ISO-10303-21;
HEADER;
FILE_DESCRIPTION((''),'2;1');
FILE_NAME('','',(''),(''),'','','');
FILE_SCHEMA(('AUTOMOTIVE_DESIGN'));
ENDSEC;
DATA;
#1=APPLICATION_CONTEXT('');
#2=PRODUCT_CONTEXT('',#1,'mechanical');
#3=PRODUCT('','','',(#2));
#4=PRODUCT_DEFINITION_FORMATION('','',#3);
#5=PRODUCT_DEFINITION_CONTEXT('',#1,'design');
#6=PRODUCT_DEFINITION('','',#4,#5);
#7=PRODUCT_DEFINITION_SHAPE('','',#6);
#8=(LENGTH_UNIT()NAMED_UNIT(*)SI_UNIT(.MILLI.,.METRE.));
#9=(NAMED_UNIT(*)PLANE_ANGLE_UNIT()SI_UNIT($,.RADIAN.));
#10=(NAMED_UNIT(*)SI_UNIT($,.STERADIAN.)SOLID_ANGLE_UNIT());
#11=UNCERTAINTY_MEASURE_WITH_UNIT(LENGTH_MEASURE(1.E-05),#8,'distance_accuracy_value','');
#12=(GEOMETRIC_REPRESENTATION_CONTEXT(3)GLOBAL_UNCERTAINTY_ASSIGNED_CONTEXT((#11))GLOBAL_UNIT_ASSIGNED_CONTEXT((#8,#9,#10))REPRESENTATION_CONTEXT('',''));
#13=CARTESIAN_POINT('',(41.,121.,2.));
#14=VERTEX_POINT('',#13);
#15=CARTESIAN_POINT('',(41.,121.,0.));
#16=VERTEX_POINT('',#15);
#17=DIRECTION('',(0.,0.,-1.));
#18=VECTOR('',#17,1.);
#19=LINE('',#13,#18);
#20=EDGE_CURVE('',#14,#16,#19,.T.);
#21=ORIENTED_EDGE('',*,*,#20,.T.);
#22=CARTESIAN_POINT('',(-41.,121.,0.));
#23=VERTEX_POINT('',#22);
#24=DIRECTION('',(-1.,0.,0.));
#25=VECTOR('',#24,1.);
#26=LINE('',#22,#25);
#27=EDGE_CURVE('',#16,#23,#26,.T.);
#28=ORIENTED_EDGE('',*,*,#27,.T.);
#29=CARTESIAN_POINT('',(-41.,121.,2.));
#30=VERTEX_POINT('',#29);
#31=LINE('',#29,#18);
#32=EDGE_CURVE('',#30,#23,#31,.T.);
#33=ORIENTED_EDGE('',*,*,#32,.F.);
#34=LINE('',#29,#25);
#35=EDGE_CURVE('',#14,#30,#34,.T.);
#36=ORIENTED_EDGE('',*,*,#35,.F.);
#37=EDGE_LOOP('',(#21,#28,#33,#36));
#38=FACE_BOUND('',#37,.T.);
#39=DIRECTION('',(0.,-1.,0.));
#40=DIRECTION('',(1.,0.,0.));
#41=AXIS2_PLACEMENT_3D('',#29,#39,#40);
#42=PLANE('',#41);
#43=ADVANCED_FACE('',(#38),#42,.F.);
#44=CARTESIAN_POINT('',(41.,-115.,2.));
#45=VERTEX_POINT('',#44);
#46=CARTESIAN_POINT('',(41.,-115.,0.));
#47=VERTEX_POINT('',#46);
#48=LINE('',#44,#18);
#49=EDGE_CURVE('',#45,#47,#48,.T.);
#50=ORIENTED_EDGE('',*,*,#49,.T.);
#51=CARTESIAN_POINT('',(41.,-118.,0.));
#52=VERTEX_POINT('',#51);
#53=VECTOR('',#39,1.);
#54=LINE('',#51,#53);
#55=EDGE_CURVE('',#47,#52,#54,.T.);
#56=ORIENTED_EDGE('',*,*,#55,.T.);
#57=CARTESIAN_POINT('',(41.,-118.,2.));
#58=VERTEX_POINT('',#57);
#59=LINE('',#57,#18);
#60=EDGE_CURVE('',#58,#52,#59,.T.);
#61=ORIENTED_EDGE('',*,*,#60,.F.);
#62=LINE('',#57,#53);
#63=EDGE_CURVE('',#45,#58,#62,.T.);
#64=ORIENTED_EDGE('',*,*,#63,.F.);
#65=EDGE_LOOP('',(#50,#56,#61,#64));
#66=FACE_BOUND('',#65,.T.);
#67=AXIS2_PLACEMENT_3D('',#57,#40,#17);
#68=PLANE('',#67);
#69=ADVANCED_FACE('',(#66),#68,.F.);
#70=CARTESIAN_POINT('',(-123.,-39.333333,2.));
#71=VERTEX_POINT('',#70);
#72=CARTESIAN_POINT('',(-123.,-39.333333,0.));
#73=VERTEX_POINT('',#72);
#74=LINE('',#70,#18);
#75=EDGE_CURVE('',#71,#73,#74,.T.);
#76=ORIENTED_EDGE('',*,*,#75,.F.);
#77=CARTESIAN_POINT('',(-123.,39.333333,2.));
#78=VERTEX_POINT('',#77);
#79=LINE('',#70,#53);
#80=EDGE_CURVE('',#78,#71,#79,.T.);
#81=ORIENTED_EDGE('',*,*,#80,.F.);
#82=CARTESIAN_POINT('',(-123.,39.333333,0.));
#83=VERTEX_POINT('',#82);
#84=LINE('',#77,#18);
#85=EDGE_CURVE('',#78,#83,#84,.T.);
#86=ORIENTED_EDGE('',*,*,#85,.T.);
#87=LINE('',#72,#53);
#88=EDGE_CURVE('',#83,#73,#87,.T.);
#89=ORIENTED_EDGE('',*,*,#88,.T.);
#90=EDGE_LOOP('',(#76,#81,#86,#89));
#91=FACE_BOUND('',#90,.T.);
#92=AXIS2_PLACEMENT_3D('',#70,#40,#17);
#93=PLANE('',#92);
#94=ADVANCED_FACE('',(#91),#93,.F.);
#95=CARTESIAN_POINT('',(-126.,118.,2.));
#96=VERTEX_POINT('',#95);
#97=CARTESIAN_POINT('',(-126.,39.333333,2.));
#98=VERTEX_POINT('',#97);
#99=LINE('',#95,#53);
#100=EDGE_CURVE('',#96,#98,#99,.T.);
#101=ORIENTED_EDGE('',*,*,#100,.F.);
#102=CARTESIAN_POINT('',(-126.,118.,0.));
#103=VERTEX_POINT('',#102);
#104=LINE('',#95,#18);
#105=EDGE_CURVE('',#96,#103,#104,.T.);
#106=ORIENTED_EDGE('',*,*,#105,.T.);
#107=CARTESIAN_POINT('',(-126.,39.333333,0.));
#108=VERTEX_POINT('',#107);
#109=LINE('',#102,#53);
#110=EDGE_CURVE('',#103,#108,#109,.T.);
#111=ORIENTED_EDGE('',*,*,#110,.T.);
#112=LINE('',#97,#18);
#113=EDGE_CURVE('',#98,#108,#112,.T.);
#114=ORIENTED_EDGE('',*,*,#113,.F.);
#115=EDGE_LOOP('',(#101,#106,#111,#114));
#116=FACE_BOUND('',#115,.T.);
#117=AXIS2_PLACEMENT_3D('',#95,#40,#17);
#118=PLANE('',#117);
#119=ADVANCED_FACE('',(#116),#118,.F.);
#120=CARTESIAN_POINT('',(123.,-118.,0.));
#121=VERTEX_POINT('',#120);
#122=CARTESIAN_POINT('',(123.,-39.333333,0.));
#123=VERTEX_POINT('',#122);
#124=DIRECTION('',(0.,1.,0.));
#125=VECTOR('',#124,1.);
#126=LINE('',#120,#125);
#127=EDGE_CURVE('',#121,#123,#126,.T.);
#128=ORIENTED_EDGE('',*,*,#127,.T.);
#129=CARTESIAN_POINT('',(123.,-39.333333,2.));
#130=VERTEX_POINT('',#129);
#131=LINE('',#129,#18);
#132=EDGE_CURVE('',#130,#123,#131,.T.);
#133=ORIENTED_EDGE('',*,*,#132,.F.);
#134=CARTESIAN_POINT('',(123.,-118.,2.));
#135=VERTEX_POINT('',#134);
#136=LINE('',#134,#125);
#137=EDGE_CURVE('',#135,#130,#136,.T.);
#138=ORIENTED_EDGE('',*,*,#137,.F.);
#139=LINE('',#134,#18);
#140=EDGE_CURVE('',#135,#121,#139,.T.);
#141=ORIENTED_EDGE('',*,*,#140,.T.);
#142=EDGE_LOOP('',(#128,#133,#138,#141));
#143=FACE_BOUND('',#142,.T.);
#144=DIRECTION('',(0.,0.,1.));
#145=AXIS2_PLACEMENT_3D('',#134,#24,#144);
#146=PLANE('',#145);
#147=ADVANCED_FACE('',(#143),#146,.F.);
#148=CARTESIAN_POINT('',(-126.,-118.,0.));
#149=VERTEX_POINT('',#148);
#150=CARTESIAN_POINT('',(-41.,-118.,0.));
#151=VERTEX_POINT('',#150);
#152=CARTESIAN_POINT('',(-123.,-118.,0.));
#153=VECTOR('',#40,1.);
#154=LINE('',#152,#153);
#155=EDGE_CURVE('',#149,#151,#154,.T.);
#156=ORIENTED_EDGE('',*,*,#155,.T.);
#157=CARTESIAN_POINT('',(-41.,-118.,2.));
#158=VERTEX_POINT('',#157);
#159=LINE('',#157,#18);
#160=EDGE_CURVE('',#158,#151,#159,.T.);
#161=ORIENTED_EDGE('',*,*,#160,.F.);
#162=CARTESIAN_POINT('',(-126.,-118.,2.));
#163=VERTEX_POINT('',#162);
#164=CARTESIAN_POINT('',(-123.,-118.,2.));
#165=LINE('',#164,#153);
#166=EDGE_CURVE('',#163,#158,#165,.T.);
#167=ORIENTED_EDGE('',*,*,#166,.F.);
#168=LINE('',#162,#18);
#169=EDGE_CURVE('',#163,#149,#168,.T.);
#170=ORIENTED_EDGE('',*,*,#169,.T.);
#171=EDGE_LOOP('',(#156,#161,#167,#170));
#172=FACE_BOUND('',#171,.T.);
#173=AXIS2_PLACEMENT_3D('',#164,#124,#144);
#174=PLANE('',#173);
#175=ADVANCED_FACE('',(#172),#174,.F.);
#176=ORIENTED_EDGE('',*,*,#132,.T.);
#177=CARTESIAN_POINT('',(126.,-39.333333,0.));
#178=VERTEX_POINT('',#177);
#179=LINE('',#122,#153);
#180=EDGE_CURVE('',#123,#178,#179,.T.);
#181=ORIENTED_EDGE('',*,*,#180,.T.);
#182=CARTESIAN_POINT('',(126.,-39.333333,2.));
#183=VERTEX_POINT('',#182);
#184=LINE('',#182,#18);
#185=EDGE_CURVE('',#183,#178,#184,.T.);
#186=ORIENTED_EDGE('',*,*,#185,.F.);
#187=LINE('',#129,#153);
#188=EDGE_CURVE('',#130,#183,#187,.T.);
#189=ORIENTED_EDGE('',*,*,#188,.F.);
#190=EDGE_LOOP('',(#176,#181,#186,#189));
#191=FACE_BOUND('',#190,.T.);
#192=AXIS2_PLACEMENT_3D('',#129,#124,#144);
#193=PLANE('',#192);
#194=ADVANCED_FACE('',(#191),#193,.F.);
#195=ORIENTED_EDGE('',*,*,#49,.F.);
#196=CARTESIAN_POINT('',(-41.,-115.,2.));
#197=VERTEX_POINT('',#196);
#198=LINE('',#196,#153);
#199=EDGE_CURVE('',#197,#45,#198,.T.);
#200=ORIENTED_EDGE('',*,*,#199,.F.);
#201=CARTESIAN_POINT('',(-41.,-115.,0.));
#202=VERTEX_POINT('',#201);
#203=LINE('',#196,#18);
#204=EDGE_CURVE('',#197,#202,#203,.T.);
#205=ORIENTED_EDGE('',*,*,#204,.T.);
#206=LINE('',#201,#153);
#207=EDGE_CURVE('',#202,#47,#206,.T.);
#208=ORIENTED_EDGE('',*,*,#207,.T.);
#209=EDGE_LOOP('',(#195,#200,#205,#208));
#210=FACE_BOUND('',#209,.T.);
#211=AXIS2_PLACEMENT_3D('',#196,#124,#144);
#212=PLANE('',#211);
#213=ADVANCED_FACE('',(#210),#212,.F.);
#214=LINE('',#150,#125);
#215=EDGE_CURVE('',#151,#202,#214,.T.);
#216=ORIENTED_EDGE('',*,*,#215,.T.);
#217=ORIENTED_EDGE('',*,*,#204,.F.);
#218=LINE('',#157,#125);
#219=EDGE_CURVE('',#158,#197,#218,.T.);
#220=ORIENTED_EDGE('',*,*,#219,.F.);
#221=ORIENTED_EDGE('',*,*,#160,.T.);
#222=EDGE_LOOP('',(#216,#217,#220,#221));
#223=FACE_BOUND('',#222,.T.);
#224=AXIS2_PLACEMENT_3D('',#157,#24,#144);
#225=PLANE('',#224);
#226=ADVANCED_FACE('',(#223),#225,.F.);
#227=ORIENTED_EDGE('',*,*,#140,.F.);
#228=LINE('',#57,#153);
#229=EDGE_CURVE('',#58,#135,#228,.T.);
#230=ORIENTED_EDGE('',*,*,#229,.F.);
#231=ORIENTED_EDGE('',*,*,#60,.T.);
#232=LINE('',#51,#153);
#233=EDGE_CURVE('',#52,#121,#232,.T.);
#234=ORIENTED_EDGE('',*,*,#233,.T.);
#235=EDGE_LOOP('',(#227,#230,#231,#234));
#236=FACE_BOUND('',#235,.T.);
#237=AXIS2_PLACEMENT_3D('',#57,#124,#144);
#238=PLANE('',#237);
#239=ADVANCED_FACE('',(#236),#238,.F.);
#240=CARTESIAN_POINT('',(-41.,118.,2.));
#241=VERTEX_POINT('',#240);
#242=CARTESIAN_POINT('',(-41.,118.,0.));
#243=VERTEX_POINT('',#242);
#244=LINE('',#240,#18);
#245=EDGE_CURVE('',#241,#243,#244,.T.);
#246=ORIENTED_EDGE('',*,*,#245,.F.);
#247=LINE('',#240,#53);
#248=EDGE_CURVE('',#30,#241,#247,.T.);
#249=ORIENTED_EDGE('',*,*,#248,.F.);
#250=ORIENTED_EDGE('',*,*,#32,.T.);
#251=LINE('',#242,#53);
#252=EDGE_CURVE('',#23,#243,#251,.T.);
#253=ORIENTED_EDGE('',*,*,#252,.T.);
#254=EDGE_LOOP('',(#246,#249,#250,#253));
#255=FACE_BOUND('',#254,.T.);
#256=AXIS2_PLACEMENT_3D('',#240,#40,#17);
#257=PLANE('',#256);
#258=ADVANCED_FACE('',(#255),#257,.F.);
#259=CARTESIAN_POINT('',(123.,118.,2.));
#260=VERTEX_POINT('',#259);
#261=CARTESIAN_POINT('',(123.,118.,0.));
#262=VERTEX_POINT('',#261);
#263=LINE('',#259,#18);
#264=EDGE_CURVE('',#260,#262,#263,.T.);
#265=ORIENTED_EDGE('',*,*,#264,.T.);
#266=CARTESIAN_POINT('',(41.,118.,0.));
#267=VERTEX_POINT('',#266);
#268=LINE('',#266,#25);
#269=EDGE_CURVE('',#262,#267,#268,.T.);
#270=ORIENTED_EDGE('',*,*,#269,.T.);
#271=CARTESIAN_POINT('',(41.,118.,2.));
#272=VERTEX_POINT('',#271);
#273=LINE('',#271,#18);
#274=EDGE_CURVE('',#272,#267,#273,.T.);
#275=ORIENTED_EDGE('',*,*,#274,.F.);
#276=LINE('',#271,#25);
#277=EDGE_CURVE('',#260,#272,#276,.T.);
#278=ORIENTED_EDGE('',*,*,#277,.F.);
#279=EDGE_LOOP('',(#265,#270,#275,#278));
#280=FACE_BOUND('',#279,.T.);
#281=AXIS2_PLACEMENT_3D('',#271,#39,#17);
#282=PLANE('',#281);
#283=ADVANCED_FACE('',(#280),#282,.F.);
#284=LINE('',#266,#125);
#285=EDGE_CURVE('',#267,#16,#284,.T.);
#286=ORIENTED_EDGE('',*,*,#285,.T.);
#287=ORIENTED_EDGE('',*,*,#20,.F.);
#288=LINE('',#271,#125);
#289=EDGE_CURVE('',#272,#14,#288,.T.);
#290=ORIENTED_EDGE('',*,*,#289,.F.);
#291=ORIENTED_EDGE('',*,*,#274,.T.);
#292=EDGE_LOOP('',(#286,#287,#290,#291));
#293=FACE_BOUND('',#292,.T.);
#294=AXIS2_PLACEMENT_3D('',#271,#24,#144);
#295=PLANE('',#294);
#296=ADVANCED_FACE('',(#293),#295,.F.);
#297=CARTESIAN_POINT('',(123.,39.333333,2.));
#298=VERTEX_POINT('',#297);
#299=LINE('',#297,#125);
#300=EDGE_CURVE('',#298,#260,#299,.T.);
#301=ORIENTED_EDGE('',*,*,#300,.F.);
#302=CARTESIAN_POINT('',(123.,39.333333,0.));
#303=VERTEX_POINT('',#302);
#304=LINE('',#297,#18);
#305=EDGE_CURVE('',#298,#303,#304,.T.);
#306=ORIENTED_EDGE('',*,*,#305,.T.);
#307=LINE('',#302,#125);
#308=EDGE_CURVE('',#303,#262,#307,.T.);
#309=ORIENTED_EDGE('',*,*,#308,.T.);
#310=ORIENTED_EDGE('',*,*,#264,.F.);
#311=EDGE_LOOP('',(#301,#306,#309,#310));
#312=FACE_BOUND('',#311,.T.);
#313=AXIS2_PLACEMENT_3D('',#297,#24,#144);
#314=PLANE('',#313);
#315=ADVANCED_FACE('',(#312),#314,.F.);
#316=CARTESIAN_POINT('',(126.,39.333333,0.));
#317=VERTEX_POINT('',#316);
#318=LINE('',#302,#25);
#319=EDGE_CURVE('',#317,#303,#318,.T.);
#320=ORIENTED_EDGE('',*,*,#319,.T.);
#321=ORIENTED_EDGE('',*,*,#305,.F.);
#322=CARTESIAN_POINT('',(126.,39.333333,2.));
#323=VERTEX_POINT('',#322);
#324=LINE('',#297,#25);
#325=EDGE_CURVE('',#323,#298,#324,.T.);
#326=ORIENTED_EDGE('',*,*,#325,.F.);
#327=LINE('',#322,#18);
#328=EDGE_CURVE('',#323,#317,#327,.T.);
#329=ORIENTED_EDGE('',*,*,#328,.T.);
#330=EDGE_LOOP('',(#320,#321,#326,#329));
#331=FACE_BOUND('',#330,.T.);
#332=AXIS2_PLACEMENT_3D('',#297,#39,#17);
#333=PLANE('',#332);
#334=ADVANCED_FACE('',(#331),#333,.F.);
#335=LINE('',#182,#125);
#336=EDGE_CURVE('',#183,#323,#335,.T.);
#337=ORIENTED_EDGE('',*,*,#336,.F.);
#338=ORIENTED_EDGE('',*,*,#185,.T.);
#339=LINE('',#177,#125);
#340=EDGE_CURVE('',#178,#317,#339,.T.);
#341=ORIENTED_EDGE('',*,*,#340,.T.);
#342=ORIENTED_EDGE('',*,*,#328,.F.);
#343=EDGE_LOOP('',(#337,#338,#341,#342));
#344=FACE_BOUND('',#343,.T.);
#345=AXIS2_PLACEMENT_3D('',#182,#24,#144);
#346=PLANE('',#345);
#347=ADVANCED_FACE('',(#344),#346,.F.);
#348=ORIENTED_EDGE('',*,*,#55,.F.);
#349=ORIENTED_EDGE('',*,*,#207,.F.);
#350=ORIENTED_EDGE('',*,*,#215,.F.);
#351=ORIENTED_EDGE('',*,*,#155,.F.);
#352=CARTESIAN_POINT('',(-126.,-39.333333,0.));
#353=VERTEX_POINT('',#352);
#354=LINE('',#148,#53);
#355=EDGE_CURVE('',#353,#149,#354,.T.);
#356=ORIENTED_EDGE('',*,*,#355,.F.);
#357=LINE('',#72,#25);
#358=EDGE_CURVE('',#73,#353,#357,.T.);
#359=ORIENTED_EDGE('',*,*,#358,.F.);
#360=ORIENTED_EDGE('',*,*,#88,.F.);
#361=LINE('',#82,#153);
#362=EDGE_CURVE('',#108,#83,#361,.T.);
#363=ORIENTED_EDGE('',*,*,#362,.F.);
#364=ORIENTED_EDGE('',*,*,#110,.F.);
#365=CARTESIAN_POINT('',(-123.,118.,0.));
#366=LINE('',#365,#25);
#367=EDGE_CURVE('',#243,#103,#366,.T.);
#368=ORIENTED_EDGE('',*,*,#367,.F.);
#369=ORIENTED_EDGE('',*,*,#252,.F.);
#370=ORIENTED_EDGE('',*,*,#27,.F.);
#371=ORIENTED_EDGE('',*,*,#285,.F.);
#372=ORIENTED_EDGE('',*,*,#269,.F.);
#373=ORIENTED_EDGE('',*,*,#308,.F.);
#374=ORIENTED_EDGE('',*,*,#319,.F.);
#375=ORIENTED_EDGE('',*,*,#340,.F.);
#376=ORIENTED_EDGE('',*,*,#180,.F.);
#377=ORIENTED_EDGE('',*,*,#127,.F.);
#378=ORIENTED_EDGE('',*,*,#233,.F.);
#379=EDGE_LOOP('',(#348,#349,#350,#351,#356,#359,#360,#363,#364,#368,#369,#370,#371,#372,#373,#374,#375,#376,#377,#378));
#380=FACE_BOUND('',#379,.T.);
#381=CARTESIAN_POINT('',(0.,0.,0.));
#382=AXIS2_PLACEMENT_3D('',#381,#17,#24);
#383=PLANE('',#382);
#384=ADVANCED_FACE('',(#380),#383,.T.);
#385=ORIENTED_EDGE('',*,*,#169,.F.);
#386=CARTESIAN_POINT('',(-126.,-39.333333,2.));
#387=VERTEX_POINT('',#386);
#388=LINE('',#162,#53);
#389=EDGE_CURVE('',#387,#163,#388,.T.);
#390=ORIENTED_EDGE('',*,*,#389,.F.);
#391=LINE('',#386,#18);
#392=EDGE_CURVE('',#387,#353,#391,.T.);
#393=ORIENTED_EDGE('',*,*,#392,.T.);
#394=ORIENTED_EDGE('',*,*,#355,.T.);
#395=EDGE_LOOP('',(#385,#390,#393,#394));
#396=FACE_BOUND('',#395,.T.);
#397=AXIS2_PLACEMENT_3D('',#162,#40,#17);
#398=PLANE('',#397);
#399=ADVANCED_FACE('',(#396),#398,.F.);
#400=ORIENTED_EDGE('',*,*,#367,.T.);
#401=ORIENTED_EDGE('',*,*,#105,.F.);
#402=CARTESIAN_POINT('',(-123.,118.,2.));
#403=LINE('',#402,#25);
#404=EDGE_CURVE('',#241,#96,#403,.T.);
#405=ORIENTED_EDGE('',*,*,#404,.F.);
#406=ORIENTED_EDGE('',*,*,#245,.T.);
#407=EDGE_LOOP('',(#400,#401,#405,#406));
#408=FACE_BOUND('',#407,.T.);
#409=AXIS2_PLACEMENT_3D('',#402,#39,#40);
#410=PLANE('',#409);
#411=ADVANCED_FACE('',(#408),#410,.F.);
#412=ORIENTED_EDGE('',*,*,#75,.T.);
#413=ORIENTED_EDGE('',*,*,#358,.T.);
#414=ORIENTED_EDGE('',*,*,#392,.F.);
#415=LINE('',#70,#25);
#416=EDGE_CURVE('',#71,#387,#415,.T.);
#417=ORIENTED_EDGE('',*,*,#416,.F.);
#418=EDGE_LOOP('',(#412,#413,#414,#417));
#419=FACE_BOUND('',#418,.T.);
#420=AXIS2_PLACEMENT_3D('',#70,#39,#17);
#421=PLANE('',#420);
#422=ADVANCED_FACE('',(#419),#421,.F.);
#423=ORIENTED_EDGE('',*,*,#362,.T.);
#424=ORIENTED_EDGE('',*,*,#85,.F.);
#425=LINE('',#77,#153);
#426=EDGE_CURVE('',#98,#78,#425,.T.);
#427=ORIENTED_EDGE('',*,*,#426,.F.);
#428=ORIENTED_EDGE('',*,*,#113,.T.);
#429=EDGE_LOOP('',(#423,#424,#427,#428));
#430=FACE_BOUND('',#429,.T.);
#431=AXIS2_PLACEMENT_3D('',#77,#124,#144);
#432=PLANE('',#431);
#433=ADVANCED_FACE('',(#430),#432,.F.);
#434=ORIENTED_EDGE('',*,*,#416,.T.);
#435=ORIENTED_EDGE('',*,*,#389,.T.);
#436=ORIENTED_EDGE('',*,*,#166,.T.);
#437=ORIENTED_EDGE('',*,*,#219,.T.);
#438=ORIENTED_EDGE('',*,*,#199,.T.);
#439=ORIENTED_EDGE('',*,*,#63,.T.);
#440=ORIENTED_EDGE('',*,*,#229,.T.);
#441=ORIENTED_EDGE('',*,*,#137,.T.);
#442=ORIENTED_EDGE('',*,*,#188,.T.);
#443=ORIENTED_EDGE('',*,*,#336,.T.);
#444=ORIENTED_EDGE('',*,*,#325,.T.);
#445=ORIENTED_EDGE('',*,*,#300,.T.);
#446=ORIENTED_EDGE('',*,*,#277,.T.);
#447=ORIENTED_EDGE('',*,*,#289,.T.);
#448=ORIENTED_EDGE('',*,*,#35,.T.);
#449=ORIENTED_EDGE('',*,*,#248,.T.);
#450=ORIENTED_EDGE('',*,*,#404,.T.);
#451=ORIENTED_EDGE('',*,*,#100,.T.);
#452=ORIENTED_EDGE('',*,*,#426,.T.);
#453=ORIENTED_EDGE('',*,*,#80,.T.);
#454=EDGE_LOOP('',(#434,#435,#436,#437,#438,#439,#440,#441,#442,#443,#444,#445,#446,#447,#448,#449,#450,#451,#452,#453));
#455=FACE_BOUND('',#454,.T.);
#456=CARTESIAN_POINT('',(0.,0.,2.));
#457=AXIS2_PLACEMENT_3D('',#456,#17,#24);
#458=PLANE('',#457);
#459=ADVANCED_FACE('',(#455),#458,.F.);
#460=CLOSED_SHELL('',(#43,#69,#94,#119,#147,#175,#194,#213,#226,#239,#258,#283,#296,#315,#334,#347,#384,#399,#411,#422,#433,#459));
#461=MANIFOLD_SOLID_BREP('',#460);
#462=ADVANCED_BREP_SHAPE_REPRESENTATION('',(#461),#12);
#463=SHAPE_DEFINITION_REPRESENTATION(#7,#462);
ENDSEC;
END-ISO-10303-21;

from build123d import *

# Parameters (mm, degrees)
BOSS_EXTRUDE1_DEPTH = 2


with BuildPart() as part:
    # Sketch1 → Boss-Extrude1 (new body)
    with BuildSketch(Plane.XY):
        Polygon((41, -118), (123, -118), (123, -39.333333333), (126, -39.333333333), (126, 39.333333333), (123, 39.333333333), (123, 118), (41, 118), (41, 121), (-41, 121), (-41, 118), (-123, 118), (-126, 118), (-126, 39.333333333), (-123, 39.333333333), (-123, -39.333333333), (-126, -39.333333333), (-126, -118), (-123, -118), (-41, -118), (-41, -115), (41, -115), align=None)
    extrude(amount=BOSS_EXTRUDE1_DEPTH)


solid = part.part
